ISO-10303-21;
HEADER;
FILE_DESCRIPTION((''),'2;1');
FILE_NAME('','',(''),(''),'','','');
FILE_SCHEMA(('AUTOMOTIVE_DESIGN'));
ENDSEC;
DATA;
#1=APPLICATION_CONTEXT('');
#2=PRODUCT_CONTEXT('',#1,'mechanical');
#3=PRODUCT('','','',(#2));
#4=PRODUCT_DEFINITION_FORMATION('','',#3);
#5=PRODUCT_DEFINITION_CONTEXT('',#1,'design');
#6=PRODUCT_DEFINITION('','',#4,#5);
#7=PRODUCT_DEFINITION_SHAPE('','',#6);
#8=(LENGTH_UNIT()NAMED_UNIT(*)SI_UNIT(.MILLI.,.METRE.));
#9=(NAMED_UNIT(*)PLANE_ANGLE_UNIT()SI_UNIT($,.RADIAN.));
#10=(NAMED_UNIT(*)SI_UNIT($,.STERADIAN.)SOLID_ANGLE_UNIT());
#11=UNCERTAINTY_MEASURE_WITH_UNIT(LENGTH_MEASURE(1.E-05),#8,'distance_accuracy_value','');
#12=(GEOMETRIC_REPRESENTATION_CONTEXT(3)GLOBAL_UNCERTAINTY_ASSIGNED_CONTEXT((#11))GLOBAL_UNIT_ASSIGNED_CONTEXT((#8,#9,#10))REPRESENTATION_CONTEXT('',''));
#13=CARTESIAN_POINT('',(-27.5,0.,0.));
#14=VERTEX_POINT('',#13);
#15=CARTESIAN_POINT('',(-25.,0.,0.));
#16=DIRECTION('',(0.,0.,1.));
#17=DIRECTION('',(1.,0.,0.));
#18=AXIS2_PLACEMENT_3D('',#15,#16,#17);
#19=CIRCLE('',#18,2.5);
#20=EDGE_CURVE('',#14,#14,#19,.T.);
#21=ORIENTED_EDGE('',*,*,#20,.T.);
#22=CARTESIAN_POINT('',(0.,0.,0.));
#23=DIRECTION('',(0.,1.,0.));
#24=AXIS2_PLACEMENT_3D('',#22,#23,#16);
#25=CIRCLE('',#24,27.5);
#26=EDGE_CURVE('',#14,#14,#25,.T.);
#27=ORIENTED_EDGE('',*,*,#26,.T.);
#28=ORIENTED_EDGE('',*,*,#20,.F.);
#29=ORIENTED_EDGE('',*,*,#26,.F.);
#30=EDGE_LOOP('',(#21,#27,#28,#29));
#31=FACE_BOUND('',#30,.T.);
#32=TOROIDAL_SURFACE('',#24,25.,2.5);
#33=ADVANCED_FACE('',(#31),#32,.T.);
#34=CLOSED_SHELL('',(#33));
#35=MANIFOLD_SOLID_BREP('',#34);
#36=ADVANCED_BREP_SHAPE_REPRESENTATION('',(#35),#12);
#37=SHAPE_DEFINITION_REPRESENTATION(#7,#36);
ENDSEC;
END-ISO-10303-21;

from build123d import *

# Parameters (mm, degrees)
SKETCH_2_R = 2.5


with BuildPart() as part:
    # 扫描1: sweep along a path in 草图1
    with BuildLine(Plane(origin=(0, 0, 0), x_dir=(1, 0, 0), z_dir=(0, 1, 0))) as sweep_1_path:
        CenterArc((0, 0), 25, 0, 360)
    # 草图2 → 扫描1 (sweep)
    with BuildSketch(Plane.XY):
        with Locations((-25, 0)):
            Circle(SKETCH_2_R)
    sweep(path=sweep_1_path.line)


solid = part.part
